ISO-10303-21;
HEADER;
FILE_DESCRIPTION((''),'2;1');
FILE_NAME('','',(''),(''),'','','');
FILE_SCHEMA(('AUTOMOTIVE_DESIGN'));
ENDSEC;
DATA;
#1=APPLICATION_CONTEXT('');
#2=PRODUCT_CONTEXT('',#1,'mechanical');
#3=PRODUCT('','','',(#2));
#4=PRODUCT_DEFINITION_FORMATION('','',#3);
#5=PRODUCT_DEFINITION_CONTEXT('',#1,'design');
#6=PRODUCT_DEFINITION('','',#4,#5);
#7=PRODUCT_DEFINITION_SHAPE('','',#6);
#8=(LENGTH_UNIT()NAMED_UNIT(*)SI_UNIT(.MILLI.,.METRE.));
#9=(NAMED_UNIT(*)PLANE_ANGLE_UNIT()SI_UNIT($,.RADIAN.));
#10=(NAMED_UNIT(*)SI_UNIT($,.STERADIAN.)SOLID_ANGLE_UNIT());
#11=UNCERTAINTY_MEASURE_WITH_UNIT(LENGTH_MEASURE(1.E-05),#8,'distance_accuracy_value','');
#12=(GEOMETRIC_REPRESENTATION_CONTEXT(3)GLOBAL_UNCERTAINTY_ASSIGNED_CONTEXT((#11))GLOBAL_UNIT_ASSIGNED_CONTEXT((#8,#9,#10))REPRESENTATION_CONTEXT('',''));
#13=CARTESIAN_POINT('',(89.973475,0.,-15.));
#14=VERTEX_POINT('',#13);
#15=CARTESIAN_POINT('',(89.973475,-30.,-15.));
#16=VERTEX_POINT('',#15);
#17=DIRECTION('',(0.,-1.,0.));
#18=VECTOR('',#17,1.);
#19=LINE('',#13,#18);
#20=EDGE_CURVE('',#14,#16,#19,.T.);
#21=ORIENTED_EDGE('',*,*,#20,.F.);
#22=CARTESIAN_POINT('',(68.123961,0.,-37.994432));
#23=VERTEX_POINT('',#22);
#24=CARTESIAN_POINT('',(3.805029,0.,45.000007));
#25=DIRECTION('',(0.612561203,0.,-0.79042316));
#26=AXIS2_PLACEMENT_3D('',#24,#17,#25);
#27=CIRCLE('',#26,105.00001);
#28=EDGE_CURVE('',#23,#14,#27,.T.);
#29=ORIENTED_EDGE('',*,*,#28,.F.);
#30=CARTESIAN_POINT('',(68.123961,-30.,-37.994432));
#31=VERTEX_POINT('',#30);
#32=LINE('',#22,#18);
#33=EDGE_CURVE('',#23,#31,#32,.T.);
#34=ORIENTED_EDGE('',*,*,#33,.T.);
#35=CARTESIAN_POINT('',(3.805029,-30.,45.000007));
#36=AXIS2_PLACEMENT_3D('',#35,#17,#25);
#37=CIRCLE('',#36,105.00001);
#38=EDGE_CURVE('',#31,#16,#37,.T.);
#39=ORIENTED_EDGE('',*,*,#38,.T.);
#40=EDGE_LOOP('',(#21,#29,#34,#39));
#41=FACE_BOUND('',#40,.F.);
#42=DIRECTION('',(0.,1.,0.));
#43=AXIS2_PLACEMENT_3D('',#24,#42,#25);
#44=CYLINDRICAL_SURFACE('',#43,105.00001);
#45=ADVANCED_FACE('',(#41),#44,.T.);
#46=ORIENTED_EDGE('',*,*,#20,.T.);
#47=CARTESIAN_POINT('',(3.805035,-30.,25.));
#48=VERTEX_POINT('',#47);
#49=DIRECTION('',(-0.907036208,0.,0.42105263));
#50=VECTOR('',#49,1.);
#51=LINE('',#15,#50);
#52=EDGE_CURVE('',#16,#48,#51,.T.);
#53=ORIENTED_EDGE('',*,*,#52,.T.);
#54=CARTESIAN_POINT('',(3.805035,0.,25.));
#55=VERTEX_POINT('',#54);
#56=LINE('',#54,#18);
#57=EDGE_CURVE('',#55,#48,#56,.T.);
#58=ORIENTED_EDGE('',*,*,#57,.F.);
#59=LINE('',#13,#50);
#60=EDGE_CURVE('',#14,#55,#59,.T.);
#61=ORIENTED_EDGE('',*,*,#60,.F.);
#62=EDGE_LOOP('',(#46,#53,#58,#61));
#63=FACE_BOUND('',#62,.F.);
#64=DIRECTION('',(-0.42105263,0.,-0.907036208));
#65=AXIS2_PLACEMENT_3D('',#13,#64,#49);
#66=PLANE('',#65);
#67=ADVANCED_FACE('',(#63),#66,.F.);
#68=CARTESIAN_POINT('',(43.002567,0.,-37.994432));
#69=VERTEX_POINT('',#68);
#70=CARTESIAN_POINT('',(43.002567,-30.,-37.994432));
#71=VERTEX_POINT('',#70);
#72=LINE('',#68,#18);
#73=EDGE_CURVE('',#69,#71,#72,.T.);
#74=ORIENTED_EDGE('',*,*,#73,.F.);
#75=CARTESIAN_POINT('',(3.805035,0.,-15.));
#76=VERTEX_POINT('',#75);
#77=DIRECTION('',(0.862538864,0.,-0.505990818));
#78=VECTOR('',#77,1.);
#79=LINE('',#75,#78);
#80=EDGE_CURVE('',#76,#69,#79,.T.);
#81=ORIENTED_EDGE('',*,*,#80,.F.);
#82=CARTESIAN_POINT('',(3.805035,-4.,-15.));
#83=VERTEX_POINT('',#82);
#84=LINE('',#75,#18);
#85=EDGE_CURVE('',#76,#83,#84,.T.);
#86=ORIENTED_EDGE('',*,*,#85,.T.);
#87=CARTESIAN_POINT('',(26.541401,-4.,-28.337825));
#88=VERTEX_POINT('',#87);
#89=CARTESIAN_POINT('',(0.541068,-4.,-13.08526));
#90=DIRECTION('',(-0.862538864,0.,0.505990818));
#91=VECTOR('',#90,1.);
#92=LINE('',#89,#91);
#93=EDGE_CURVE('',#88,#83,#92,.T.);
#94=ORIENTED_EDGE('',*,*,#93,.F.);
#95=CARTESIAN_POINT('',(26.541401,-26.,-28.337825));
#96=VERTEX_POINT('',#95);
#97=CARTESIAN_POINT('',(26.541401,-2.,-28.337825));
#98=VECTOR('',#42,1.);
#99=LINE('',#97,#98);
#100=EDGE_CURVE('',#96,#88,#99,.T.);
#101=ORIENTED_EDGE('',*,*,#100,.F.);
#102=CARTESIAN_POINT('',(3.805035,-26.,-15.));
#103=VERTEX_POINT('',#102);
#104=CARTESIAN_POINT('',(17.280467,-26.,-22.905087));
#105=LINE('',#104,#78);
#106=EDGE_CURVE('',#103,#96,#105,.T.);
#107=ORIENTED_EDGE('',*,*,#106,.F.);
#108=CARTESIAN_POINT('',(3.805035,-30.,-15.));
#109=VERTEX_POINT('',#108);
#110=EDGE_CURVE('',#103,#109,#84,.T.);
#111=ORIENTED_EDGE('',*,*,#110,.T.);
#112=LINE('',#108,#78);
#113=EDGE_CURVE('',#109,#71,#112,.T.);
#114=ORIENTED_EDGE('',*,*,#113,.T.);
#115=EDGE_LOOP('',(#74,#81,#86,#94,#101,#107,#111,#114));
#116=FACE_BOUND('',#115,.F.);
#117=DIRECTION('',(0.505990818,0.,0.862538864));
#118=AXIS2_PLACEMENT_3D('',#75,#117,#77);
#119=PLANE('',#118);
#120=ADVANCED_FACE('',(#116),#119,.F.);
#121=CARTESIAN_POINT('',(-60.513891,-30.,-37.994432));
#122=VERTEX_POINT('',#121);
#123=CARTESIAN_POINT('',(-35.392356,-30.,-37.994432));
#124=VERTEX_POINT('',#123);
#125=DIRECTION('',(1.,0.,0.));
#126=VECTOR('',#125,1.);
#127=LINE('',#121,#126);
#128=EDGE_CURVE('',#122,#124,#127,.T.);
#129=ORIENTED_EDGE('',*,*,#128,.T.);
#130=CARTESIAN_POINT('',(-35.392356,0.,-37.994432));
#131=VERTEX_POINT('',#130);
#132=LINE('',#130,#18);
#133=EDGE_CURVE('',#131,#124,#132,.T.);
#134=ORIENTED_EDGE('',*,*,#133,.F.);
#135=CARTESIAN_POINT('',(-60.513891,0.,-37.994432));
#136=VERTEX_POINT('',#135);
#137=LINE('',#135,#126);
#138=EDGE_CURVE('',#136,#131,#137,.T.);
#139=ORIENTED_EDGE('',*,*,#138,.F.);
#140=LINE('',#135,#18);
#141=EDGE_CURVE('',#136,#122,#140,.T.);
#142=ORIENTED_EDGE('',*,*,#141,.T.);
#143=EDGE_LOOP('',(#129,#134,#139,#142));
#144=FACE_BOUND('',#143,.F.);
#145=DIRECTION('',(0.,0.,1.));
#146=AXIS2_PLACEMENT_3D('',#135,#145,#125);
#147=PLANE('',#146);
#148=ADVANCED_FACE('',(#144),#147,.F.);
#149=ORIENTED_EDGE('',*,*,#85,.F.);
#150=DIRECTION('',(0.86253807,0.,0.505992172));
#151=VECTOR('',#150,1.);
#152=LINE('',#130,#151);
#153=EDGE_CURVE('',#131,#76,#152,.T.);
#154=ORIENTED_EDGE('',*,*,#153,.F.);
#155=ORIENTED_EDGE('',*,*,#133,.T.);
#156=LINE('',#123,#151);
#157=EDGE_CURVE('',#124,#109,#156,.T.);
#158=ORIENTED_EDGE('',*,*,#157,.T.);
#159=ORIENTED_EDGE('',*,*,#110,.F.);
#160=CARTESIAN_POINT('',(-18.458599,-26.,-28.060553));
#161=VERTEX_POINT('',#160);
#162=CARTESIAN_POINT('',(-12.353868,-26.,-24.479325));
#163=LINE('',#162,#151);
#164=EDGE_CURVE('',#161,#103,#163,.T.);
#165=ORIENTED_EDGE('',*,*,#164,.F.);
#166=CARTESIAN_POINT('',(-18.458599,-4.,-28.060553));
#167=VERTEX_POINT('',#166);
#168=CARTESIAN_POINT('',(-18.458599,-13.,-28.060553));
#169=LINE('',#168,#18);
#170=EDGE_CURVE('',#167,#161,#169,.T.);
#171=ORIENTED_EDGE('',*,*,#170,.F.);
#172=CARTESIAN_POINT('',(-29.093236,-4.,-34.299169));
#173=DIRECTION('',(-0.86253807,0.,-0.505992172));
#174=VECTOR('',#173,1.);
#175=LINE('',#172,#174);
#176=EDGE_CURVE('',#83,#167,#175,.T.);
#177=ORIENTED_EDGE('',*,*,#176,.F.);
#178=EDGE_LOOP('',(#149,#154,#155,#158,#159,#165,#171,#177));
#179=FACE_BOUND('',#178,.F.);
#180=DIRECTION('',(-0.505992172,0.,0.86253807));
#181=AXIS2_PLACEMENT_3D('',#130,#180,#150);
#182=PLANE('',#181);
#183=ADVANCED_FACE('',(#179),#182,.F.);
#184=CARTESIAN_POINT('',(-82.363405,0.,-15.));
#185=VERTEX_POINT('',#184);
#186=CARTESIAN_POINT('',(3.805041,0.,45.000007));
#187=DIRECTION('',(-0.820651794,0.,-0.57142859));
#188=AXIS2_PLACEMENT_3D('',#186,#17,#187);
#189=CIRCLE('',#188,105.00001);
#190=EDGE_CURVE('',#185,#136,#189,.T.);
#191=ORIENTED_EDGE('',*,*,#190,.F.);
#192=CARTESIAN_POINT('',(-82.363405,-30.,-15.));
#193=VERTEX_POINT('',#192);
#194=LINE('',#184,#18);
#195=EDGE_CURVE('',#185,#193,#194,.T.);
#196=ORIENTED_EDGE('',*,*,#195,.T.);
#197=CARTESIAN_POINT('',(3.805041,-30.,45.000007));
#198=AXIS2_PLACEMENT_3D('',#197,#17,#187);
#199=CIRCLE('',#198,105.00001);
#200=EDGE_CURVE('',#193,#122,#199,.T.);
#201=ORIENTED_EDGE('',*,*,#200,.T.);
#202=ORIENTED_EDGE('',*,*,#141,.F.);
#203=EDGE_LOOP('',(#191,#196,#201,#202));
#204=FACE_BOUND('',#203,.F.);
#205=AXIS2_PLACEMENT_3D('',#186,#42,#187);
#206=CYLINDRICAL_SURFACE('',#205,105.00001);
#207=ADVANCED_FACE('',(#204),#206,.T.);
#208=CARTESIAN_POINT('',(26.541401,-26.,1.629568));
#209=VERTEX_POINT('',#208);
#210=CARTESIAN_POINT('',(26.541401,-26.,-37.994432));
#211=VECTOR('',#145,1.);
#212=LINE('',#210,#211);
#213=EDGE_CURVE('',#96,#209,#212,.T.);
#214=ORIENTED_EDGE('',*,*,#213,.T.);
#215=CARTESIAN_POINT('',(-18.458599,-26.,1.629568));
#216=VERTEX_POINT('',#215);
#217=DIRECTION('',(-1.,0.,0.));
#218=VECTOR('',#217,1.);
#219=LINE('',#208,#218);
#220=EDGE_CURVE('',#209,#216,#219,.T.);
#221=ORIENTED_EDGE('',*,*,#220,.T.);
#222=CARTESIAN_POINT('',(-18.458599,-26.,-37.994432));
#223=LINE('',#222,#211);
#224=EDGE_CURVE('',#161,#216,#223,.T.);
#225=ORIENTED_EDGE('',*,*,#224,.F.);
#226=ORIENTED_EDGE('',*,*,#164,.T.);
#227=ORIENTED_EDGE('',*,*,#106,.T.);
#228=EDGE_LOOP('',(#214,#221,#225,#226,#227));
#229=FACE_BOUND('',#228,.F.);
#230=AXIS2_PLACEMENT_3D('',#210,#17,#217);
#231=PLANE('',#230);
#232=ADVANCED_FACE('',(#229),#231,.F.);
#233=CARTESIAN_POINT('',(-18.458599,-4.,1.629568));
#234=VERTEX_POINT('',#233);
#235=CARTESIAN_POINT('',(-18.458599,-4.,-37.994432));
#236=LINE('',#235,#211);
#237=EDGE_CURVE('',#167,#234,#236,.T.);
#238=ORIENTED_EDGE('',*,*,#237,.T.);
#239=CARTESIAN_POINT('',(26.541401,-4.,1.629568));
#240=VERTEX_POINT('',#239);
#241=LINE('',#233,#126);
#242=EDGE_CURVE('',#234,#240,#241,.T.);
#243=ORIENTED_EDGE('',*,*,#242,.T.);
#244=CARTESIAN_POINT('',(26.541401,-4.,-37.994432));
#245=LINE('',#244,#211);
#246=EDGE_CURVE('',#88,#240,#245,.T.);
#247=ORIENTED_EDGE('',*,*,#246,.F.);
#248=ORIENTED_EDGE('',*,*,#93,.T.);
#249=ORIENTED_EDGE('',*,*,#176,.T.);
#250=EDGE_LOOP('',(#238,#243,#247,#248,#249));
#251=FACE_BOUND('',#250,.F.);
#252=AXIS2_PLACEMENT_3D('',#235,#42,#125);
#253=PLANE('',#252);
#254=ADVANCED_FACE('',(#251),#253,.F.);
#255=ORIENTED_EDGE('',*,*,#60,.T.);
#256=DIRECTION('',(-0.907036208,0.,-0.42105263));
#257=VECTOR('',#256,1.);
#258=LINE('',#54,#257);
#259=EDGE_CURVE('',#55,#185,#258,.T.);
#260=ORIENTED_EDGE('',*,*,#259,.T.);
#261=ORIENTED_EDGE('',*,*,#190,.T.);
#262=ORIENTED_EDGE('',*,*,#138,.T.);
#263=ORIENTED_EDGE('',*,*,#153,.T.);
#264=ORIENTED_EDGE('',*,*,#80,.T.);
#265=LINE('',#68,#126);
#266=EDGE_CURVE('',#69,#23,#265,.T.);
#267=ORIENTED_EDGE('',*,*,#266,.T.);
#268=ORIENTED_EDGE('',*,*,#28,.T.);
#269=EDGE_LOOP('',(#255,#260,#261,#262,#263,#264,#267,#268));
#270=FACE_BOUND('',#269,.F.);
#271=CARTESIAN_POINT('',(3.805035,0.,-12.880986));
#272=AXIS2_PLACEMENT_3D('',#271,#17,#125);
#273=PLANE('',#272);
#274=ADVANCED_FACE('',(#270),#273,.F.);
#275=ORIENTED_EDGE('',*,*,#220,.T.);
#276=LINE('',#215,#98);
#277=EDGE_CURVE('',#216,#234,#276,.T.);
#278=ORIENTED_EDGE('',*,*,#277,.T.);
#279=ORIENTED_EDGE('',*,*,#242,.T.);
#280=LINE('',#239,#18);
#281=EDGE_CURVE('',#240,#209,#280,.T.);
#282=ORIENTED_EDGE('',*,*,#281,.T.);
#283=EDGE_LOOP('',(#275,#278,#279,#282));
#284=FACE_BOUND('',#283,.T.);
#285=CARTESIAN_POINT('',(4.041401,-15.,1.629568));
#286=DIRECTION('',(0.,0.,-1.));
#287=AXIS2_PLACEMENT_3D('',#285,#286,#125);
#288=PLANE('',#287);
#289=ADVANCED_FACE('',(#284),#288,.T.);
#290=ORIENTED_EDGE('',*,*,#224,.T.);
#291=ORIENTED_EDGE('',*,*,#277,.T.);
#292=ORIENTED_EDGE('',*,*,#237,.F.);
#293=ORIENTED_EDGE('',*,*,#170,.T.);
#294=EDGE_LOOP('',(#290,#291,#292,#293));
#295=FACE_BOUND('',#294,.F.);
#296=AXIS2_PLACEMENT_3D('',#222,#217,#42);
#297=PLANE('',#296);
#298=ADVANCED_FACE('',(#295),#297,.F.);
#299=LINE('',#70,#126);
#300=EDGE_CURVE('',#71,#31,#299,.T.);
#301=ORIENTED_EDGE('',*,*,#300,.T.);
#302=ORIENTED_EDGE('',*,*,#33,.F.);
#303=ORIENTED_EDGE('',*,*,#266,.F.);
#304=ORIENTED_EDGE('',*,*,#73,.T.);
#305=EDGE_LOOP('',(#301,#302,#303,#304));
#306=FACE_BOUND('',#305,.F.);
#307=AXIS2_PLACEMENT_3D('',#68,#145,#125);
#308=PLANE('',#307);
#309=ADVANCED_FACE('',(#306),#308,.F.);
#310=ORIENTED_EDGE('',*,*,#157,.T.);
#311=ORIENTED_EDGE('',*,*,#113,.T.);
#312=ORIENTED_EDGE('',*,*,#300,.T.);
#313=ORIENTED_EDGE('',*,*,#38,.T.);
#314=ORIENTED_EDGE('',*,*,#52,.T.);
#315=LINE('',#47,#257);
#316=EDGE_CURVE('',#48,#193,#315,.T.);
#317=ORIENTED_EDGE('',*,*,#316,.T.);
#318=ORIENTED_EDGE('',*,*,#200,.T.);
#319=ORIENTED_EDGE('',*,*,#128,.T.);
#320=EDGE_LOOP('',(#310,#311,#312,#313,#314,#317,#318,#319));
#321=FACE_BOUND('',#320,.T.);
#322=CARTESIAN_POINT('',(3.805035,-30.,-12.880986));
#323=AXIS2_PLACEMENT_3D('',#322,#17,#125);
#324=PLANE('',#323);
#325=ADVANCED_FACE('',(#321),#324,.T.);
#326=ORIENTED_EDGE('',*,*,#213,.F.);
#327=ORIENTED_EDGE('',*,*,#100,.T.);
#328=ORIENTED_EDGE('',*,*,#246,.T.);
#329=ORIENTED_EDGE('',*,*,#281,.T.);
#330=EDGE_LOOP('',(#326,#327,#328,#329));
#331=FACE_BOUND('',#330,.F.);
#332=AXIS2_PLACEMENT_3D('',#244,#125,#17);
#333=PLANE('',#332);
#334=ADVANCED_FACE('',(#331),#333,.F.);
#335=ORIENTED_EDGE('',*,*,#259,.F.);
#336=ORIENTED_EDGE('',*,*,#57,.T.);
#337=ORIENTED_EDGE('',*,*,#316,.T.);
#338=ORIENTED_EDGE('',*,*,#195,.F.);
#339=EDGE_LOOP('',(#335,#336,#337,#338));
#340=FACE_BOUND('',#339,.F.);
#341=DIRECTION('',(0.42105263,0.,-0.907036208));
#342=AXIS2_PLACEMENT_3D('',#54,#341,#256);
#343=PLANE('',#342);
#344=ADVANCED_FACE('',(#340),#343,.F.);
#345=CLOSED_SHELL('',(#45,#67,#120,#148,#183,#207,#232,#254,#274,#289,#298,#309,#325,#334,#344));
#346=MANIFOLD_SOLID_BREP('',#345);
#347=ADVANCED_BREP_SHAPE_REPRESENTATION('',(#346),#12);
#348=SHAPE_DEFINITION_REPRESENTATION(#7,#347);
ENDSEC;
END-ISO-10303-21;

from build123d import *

# Parameters (mm, degrees)
F1_DEPTH = 30
F3_DEPTH = 39.624


with BuildPart() as f1:
    # F0 (on Front) → F1 (new body)
    with BuildSketch(Plane.XZ):
        with BuildLine():
            ThreePointArc((68.123961, -37.994432), (79.922035, -27.327051), (89.973475, -15))
            Line((89.973475, -15), (3.805035, 25))
            Line((3.805035, 25), (-82.363405, -15))
            ThreePointArc((-82.363405, -15), (-72.311965, -27.327051), (-60.513891, -37.994432))
            Line((-60.513891, -37.994432), (-35.392356, -37.994432))
            Line((-35.392356, -37.994432), (3.805035, -15))
            Line((3.805035, -15), (43.002567, -37.994432))
            Line((43.002567, -37.994432), (68.123961, -37.994432))
        make_face()
    extrude(amount=F1_DEPTH)

    # F2 (on face) → F3 (cut)
    with BuildSketch(Plane(origin=(0, 0, -37.994432), x_dir=(1, 0, 0), z_dir=(0, 0, -1))):
        Polygon((0, 4), (26.541401, 4), (26.541401, 26), (-18.458599, 26), (-18.458599, 4), align=None)
    extrude(amount=-F3_DEPTH, mode=Mode.SUBTRACT)


solid = f1.part
